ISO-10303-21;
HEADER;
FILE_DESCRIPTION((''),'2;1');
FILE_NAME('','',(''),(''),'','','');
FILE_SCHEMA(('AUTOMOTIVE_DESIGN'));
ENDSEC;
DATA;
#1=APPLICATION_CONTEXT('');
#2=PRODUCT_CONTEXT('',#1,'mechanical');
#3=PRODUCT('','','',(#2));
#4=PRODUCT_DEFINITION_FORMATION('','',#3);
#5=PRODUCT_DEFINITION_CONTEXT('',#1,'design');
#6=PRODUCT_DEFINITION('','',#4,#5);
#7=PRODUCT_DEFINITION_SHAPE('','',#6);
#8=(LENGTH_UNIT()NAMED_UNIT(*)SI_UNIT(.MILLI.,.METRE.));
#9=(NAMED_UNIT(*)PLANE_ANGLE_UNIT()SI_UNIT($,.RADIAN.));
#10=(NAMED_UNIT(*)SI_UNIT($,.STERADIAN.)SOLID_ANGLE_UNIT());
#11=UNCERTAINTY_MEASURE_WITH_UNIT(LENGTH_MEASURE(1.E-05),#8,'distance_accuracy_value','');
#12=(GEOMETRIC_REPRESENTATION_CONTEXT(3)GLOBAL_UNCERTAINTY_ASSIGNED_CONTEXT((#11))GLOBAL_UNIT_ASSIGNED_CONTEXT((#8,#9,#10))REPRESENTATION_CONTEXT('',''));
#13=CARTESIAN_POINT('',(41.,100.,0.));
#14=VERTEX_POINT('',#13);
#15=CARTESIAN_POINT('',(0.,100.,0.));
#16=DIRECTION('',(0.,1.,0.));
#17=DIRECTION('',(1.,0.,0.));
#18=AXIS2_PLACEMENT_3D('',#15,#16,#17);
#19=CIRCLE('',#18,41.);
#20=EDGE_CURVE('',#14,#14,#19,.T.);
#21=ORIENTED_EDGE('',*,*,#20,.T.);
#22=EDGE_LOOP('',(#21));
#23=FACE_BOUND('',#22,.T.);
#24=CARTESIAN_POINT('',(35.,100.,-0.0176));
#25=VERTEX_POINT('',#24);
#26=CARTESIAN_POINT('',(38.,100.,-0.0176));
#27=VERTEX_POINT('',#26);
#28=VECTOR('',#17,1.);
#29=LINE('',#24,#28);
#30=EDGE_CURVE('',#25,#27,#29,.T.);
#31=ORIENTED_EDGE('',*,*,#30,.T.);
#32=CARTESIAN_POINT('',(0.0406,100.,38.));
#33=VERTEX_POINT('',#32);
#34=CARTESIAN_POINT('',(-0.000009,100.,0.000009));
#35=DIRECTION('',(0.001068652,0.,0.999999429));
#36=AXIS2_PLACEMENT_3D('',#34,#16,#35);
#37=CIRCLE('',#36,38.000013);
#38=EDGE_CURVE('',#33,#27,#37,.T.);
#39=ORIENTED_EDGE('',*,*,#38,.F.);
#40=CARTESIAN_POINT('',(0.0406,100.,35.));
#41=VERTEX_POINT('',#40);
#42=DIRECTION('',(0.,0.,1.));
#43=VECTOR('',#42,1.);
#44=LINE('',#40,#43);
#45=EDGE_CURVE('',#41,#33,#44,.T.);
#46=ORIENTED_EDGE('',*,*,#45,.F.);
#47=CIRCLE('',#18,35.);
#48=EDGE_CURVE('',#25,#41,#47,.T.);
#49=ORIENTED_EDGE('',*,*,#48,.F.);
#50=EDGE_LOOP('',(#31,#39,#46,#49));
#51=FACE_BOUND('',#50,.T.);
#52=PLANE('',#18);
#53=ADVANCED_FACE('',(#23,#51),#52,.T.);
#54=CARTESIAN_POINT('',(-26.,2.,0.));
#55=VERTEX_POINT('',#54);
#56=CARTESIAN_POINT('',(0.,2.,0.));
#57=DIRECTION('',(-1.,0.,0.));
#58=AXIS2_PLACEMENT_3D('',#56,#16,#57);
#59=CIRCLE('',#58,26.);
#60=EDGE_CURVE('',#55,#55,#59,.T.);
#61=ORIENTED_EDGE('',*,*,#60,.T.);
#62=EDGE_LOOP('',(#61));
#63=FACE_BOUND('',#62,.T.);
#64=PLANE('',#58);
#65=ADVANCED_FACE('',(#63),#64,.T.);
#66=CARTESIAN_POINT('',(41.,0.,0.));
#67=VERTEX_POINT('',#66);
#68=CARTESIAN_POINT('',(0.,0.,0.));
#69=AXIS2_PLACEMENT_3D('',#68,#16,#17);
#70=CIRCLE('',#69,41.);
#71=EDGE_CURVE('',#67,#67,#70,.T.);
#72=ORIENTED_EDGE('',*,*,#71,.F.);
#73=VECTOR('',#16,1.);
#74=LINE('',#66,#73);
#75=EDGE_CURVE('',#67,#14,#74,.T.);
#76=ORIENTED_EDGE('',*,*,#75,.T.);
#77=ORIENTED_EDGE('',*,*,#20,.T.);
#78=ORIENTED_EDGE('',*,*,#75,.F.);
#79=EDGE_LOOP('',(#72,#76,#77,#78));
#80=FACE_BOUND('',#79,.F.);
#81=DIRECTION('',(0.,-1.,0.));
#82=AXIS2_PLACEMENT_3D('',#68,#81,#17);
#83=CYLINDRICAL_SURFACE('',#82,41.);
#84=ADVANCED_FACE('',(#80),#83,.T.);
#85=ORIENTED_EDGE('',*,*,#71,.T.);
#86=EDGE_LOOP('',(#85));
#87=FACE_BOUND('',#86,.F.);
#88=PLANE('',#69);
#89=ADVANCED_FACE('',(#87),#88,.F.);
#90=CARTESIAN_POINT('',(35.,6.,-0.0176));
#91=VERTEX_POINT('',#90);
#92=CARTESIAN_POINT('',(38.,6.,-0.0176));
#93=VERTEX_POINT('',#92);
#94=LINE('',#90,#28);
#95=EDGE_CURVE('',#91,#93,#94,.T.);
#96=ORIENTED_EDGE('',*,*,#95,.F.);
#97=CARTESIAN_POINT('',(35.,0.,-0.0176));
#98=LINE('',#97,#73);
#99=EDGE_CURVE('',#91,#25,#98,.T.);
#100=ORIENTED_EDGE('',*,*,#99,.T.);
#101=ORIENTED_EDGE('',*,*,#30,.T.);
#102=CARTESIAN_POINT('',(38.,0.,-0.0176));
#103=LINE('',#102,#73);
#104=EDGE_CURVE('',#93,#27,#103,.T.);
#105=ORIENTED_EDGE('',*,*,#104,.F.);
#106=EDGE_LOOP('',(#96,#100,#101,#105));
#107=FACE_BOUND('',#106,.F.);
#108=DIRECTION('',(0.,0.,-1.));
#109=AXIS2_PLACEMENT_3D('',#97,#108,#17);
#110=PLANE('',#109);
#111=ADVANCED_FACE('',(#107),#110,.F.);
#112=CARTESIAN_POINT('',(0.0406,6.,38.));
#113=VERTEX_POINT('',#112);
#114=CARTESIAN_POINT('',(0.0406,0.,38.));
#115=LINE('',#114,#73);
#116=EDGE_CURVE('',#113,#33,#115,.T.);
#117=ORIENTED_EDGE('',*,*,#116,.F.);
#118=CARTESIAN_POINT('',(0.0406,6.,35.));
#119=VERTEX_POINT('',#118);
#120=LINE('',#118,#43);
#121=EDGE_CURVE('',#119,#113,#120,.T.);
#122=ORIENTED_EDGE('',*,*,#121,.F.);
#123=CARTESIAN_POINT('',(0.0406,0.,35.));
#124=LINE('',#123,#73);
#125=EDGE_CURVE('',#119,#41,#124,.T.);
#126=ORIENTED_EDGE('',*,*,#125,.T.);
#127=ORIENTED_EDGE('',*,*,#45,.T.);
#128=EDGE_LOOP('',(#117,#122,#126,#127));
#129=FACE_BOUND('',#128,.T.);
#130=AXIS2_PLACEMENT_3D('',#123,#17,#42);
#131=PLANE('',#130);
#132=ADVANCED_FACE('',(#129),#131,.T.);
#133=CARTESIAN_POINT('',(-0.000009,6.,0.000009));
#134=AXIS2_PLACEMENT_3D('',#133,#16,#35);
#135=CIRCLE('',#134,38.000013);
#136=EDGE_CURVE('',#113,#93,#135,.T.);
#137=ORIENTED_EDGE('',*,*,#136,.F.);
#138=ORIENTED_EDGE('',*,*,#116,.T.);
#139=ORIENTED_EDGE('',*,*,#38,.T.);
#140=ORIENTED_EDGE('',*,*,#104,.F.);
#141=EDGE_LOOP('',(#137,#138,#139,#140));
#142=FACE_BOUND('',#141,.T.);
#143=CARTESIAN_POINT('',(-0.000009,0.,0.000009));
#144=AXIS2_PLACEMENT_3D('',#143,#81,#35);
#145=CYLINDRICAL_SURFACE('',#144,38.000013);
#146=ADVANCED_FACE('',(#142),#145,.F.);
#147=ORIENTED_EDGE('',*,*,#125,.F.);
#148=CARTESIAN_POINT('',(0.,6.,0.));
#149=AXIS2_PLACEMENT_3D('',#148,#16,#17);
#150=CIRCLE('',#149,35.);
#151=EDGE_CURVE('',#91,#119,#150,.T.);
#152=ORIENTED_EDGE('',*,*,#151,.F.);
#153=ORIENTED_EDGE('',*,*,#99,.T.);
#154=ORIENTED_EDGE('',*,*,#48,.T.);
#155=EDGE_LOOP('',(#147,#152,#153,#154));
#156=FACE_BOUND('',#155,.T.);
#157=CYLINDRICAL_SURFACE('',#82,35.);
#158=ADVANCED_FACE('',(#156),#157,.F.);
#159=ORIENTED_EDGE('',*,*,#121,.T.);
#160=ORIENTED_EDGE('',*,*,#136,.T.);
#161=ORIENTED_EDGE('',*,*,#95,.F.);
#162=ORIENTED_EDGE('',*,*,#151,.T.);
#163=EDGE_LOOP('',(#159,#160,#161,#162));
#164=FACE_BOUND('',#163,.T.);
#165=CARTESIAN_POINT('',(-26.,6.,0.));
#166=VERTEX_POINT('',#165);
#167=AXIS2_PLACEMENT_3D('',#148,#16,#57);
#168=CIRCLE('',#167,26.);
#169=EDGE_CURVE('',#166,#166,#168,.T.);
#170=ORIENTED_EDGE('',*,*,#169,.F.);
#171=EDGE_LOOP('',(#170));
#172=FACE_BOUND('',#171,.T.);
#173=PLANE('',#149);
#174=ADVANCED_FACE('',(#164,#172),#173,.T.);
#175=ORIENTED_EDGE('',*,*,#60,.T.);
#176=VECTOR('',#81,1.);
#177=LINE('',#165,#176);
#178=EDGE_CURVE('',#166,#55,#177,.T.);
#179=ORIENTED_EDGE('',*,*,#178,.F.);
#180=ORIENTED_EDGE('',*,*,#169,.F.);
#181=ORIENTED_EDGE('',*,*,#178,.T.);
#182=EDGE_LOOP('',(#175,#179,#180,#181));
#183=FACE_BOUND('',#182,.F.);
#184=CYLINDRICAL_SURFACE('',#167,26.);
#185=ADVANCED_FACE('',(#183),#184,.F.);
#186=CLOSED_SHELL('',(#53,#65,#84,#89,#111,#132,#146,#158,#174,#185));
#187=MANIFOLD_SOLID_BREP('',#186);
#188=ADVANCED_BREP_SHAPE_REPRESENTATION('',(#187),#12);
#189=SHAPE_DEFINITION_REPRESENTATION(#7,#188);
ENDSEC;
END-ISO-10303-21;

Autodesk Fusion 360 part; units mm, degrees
sketch "Sketch1" plane through (0, 0, 0) normal (0, 1, 0) x (1, 0, 0)
  circle A0 centre (0, 0) radius 41
  circle A1 centre (0, 0) radius 35
  line L0 (0.0406, -35) -> (0.0406, -38)
  line L1 (35, 0.0176) -> (38, 0.0176)
  arc A2 (0.0406, -38) -> (38, 0.0176) centre (0, 0) ccw
  dimension "d1" = 82
  dimension "d2" = 70
extrude "Extrude1" add sketch "Sketch1" along normal blind 100
extrude "Extrude2" add sketch "Sketch1" along normal blind 6 contours A1
extrude "Extrude3" add sketch "Sketch1" along normal blind 6 contours A1 L0 L1 A2
sketch "Sketch2" plane through (0, 6, 0) normal (0, 1, 0) x (-1, 0, 0)
  line L0 (-0.0406, 35) -> (-0.0406, 38)
  arc A0 (-0.0406, 38) -> (-38, -0.0176) centre (0, 0) ccw
  line L1 (-38, -0.0176) -> (-35, -0.0176)
  circle A1 centre (0, 0) radius 26
  arc A2 (-35, -0.0176) -> (-0.0406, 35) centre (0, 0) ccw
  dimension "d10" = 52
extrude "Extrude4" cut sketch "Sketch2" against normal blind 4 contours A1
